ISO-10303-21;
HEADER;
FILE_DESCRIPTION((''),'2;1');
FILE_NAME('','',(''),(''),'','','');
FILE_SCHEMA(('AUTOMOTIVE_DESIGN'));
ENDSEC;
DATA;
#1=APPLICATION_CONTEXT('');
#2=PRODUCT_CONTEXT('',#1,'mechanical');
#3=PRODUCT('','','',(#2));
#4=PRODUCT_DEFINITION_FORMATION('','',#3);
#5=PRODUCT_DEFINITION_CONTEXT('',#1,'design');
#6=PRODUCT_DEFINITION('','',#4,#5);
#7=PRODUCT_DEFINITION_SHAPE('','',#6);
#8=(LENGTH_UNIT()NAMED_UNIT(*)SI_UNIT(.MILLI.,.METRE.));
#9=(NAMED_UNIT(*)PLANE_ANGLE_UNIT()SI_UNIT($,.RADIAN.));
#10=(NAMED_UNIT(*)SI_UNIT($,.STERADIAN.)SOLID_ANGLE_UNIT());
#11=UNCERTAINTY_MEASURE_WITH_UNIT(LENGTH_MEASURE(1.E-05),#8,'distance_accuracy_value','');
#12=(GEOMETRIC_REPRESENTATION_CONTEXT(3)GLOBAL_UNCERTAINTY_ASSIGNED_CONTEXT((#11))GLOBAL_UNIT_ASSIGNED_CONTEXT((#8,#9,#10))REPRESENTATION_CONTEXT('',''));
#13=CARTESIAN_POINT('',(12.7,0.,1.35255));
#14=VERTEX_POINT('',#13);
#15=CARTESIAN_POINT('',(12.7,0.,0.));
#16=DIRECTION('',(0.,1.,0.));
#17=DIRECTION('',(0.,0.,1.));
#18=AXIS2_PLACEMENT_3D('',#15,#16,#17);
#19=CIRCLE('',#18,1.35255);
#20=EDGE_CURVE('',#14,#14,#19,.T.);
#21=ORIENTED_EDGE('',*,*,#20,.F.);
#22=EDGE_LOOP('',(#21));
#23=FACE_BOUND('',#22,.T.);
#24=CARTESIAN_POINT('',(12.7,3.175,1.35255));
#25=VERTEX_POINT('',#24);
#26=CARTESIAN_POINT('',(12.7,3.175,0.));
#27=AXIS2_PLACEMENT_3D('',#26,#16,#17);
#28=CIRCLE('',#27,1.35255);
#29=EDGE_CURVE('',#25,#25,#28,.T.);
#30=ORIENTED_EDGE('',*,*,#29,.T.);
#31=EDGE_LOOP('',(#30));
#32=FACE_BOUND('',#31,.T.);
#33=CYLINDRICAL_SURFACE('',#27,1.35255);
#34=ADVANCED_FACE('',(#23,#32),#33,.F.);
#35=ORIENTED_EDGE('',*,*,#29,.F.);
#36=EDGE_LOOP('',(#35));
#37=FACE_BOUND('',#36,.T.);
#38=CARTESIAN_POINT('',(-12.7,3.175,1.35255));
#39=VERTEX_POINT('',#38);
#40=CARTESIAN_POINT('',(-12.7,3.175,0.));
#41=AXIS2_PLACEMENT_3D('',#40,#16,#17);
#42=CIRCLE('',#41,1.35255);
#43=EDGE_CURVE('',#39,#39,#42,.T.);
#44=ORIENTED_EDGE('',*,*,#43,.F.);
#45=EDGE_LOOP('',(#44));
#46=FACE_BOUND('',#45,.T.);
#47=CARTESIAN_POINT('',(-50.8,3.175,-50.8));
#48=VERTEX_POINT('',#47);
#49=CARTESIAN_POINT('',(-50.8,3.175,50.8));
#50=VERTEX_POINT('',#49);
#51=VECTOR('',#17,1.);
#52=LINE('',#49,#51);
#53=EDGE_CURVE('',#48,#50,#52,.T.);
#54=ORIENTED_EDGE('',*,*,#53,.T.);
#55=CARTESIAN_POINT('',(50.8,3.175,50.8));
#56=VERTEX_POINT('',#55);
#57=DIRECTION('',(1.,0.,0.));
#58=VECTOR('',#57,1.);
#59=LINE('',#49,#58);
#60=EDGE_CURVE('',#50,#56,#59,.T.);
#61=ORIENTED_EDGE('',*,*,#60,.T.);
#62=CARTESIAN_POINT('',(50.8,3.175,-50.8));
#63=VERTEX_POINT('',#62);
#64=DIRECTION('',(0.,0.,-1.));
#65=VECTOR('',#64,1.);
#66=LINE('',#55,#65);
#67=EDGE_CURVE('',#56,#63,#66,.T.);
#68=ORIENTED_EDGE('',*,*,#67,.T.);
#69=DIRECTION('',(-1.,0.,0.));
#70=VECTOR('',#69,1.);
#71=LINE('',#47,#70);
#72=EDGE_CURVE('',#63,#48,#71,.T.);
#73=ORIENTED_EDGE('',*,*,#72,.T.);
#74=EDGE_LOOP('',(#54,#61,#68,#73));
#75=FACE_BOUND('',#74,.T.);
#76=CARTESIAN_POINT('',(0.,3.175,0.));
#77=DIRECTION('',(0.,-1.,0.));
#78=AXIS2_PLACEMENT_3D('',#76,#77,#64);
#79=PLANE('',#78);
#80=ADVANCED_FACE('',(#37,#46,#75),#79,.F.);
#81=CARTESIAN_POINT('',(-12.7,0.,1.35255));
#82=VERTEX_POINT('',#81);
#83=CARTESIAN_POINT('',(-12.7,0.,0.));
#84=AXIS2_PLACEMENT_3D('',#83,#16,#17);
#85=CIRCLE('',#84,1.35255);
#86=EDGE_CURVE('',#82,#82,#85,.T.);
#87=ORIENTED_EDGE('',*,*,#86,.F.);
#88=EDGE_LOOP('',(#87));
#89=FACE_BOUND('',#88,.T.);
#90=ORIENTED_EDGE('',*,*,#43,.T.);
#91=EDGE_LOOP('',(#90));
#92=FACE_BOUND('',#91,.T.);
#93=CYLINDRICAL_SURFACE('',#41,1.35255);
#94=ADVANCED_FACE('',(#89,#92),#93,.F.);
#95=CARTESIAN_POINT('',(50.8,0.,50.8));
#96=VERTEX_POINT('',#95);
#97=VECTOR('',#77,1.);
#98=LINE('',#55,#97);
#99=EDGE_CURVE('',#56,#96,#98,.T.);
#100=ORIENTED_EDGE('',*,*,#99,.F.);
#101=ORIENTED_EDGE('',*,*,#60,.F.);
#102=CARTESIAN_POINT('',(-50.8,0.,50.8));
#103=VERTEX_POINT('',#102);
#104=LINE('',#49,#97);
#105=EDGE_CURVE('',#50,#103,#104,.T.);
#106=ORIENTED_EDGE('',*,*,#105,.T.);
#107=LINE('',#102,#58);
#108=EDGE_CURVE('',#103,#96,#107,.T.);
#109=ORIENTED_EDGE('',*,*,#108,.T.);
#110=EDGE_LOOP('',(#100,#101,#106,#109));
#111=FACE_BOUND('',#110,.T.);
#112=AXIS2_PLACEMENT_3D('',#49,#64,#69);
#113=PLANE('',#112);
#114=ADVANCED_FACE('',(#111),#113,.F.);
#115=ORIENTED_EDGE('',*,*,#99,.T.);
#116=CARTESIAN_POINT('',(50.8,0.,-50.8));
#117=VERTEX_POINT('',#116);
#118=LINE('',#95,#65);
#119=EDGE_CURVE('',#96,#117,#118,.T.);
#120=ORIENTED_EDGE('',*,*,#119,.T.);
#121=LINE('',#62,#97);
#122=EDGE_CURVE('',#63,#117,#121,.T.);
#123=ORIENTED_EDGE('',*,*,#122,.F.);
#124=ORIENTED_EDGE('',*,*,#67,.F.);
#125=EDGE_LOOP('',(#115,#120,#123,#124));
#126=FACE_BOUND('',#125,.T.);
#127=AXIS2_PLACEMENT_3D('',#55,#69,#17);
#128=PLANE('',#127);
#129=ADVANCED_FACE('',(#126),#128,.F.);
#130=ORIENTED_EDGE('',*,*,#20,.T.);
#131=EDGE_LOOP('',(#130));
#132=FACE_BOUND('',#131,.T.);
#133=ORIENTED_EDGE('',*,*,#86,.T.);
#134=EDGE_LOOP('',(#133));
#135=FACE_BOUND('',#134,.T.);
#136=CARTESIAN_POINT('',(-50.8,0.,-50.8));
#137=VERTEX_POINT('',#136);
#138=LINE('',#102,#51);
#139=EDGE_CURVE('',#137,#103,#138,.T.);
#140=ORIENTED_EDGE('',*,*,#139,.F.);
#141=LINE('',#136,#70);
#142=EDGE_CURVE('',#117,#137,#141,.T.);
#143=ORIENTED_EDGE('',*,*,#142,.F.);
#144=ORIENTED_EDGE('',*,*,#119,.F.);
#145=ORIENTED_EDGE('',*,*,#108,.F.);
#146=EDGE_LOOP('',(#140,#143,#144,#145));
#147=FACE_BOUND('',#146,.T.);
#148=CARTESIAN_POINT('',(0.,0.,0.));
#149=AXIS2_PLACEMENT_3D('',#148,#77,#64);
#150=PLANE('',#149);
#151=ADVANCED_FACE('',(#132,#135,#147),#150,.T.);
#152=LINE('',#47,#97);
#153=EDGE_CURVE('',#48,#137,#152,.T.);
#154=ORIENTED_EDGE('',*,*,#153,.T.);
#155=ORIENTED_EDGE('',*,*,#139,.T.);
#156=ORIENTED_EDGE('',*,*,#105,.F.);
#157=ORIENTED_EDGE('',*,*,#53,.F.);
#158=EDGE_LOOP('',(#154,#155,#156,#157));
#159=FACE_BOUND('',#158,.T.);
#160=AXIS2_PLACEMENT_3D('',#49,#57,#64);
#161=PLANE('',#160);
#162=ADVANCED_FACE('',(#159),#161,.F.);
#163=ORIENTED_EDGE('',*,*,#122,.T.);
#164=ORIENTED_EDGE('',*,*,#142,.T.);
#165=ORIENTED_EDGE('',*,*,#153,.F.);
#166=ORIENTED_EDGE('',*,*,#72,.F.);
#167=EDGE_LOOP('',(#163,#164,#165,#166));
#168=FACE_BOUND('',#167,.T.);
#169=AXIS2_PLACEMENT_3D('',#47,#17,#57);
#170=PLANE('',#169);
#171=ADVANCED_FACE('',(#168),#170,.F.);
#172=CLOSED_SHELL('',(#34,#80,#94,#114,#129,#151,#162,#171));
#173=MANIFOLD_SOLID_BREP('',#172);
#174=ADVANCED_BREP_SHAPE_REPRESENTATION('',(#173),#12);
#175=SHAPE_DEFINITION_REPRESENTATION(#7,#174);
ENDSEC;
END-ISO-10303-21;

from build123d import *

# Parameters (mm, degrees)
SKETCH1_W             = 101.6
SKETCH1_H             = 101.6
BOSS_EXTRUDE1_DEPTH   = 3.175
F_6_32_TAPPED_HOLE1_D = 2.7051


with BuildPart() as part:
    # Sketch1 → Boss-Extrude1 (new body)
    with BuildSketch(Plane(origin=(0, 0, 0), x_dir=(1, 0, 0), z_dir=(0, 1, 0))):
        Rectangle(SKETCH1_W, SKETCH1_H)
    extrude(amount=BOSS_EXTRUDE1_DEPTH)

    # #6-32 Tapped Hole1 (through all)
    with Locations(Plane(origin=(0, 3.175, 0), x_dir=(1, 0, 0), z_dir=(0, 1, 0))):
        with Locations((-12.7, 0), (12.7, 0)):
            Hole(F_6_32_TAPPED_HOLE1_D / 2)


solid = part.part
